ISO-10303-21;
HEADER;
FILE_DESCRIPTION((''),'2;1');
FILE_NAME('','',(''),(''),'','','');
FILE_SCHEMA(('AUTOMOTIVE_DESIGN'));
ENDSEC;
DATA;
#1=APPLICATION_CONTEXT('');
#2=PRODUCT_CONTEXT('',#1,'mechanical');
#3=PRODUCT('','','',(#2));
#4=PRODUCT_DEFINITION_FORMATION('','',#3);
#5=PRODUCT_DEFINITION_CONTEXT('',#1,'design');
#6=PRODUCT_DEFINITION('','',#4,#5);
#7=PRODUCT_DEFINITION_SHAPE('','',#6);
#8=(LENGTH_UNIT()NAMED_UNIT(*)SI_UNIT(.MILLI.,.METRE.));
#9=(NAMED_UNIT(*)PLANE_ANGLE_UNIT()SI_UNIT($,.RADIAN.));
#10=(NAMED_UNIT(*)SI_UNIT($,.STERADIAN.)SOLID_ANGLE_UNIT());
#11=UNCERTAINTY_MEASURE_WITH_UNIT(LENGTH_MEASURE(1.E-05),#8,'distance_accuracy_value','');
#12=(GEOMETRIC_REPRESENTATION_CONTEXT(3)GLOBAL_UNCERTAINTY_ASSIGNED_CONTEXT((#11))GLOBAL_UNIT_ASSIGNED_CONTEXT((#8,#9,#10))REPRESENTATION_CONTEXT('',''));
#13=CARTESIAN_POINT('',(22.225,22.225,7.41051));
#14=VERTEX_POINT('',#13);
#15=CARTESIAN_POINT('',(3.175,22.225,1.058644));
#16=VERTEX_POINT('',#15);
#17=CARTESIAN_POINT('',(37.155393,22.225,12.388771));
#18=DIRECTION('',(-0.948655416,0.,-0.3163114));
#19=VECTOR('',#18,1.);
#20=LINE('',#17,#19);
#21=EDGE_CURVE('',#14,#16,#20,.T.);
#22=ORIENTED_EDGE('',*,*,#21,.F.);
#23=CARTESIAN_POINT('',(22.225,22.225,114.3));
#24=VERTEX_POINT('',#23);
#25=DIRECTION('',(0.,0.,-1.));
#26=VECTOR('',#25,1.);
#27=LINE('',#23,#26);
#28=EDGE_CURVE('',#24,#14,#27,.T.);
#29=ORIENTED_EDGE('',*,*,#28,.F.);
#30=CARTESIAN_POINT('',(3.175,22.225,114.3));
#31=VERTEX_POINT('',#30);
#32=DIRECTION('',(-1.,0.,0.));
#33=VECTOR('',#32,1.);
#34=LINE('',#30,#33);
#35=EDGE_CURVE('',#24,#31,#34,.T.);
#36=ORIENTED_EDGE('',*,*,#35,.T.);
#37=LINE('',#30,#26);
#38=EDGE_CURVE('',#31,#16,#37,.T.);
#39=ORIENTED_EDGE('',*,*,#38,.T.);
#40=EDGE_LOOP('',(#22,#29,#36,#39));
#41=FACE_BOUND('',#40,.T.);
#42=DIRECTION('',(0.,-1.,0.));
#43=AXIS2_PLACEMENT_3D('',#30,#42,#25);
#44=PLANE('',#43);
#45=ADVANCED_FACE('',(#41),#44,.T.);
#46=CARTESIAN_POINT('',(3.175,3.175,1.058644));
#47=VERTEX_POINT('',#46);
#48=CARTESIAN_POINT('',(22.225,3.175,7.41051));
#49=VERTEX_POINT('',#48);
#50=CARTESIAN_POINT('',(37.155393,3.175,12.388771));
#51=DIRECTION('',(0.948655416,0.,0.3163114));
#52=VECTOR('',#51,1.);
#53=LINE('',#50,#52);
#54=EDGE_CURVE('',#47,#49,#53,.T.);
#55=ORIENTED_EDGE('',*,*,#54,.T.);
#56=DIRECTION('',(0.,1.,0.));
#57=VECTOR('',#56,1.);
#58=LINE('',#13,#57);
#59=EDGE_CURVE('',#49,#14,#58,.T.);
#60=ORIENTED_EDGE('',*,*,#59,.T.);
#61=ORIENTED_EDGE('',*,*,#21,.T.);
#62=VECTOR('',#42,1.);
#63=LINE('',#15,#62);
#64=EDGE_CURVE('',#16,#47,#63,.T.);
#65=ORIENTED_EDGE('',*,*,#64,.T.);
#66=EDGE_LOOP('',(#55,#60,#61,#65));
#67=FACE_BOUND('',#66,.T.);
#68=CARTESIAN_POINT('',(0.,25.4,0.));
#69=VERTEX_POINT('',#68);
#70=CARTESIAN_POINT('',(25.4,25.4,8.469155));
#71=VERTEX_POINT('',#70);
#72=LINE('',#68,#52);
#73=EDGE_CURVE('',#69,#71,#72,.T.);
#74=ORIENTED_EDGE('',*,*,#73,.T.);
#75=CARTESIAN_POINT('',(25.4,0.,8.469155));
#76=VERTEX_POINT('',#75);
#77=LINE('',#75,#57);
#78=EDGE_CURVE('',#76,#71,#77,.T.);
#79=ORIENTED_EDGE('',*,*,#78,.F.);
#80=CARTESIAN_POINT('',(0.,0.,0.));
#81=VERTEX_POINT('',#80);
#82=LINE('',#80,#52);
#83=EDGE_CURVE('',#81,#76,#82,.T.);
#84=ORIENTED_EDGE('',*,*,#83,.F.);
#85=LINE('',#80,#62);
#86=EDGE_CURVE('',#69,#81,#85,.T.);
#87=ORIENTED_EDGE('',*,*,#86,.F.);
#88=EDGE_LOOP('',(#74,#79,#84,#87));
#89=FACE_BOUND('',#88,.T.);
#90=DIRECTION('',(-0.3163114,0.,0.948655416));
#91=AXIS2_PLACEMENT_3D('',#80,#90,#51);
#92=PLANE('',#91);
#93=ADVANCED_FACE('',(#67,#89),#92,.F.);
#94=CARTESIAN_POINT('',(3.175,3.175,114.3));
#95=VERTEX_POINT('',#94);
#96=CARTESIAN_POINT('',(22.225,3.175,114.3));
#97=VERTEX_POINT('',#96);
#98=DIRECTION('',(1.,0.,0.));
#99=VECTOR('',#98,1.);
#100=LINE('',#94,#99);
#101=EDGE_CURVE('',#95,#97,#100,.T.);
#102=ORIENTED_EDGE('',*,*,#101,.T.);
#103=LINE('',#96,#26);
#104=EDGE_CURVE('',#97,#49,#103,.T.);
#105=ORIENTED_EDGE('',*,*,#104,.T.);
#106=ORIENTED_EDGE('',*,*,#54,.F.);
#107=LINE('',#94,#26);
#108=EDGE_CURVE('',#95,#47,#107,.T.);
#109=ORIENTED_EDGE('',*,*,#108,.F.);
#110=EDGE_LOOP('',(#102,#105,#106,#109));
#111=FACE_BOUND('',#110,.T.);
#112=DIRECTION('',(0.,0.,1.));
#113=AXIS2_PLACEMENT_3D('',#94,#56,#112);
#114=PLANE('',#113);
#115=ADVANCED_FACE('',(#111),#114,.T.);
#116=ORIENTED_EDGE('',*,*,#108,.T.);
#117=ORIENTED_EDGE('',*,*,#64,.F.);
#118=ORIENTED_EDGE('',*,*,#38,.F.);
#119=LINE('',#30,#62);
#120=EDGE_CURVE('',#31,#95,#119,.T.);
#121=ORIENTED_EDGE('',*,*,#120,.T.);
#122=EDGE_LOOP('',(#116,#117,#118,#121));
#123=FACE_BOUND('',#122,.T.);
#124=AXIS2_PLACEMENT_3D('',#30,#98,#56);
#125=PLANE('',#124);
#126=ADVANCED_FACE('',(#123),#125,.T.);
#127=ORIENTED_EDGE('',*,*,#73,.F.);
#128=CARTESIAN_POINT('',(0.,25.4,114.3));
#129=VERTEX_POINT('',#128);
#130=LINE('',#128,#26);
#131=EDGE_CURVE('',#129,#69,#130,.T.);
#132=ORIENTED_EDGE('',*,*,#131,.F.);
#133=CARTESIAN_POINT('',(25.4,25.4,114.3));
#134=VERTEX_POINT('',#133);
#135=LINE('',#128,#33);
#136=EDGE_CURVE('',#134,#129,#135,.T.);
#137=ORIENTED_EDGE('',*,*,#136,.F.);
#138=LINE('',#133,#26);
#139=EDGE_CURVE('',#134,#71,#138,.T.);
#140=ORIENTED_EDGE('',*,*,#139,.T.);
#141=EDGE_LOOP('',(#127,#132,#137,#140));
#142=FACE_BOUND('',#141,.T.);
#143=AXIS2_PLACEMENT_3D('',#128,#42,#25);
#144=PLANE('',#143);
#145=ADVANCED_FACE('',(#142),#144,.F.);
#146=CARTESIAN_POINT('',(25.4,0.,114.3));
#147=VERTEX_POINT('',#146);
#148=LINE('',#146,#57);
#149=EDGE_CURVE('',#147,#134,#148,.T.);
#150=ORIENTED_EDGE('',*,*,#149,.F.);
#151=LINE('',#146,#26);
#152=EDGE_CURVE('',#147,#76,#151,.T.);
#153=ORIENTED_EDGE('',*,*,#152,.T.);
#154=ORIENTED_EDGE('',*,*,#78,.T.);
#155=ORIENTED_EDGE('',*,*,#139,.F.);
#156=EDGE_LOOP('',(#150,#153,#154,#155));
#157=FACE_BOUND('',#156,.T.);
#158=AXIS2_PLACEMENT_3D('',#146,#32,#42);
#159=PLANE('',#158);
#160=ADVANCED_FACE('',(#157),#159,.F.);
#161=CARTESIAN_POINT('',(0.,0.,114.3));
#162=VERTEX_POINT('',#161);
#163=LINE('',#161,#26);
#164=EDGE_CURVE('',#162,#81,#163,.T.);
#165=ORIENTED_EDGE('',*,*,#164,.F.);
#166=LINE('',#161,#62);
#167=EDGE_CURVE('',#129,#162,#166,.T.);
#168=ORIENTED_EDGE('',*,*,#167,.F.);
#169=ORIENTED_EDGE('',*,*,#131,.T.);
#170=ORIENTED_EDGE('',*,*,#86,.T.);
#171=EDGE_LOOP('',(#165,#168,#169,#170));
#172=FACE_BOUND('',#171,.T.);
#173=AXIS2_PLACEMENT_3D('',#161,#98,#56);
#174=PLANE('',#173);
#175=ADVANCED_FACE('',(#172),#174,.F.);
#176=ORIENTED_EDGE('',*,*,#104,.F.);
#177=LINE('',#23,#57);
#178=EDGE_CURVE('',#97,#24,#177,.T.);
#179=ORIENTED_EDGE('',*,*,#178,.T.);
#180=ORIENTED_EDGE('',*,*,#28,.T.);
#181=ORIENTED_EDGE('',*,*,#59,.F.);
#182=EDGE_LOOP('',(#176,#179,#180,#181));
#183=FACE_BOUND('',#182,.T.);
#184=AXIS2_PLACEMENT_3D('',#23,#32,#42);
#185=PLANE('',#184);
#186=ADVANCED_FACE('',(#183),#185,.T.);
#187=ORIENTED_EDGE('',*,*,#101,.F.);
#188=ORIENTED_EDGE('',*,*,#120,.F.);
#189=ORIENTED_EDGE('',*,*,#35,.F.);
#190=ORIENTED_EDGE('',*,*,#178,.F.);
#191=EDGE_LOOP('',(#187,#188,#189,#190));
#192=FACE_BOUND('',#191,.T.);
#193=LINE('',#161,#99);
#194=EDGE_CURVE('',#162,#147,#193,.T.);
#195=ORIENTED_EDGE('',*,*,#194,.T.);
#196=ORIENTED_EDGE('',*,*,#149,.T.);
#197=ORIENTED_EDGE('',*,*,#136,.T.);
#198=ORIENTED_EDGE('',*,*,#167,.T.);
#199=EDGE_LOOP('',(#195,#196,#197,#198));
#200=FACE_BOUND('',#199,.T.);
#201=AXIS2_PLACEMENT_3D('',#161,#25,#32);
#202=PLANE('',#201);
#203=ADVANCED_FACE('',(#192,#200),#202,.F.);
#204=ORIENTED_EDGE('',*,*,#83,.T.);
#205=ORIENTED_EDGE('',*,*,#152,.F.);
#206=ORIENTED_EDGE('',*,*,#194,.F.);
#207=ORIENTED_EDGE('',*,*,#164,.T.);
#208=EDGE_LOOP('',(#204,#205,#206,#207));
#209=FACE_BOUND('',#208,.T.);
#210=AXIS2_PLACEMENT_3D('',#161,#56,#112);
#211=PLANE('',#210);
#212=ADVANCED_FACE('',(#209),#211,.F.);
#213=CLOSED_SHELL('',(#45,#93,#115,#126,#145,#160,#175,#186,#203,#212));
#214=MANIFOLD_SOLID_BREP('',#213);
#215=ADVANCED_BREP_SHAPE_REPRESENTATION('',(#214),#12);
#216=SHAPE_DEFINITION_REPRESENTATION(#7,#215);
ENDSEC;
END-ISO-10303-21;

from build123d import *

# Parameters (mm, degrees)
SKETCH1_W           = 25.4
SKETCH1_H           = 25.4
SKETCH1_W_2         = 19.05
SKETCH1_H_2         = 19.05
BOSS_EXTRUDE1_DEPTH = 114.3
CUT_EXTRUDE1_DEPTH  = 120.811560377


with BuildPart() as part:
    # Sketch1 → Boss-Extrude1 (new body)
    with BuildSketch(Plane.XY):
        with Locations((12.7, 12.7)):
            Rectangle(SKETCH1_W, SKETCH1_H)
        with Locations((12.7, 12.7)):
            Rectangle(SKETCH1_W_2, SKETCH1_H_2, mode=Mode.SUBTRACT)
    extrude(amount=BOSS_EXTRUDE1_DEPTH)

    # Sketch2 → Cut-Extrude1 (cut, through all)
    with BuildSketch(Plane(origin=(0, 25.4, 0), x_dir=(1, 0, 0), z_dir=(0, 1, 0))):
        Polygon((0, 0), (25.4, -8.469154802), (25.4, 0), align=None)
    extrude(amount=-CUT_EXTRUDE1_DEPTH, mode=Mode.SUBTRACT)


solid = part.part
